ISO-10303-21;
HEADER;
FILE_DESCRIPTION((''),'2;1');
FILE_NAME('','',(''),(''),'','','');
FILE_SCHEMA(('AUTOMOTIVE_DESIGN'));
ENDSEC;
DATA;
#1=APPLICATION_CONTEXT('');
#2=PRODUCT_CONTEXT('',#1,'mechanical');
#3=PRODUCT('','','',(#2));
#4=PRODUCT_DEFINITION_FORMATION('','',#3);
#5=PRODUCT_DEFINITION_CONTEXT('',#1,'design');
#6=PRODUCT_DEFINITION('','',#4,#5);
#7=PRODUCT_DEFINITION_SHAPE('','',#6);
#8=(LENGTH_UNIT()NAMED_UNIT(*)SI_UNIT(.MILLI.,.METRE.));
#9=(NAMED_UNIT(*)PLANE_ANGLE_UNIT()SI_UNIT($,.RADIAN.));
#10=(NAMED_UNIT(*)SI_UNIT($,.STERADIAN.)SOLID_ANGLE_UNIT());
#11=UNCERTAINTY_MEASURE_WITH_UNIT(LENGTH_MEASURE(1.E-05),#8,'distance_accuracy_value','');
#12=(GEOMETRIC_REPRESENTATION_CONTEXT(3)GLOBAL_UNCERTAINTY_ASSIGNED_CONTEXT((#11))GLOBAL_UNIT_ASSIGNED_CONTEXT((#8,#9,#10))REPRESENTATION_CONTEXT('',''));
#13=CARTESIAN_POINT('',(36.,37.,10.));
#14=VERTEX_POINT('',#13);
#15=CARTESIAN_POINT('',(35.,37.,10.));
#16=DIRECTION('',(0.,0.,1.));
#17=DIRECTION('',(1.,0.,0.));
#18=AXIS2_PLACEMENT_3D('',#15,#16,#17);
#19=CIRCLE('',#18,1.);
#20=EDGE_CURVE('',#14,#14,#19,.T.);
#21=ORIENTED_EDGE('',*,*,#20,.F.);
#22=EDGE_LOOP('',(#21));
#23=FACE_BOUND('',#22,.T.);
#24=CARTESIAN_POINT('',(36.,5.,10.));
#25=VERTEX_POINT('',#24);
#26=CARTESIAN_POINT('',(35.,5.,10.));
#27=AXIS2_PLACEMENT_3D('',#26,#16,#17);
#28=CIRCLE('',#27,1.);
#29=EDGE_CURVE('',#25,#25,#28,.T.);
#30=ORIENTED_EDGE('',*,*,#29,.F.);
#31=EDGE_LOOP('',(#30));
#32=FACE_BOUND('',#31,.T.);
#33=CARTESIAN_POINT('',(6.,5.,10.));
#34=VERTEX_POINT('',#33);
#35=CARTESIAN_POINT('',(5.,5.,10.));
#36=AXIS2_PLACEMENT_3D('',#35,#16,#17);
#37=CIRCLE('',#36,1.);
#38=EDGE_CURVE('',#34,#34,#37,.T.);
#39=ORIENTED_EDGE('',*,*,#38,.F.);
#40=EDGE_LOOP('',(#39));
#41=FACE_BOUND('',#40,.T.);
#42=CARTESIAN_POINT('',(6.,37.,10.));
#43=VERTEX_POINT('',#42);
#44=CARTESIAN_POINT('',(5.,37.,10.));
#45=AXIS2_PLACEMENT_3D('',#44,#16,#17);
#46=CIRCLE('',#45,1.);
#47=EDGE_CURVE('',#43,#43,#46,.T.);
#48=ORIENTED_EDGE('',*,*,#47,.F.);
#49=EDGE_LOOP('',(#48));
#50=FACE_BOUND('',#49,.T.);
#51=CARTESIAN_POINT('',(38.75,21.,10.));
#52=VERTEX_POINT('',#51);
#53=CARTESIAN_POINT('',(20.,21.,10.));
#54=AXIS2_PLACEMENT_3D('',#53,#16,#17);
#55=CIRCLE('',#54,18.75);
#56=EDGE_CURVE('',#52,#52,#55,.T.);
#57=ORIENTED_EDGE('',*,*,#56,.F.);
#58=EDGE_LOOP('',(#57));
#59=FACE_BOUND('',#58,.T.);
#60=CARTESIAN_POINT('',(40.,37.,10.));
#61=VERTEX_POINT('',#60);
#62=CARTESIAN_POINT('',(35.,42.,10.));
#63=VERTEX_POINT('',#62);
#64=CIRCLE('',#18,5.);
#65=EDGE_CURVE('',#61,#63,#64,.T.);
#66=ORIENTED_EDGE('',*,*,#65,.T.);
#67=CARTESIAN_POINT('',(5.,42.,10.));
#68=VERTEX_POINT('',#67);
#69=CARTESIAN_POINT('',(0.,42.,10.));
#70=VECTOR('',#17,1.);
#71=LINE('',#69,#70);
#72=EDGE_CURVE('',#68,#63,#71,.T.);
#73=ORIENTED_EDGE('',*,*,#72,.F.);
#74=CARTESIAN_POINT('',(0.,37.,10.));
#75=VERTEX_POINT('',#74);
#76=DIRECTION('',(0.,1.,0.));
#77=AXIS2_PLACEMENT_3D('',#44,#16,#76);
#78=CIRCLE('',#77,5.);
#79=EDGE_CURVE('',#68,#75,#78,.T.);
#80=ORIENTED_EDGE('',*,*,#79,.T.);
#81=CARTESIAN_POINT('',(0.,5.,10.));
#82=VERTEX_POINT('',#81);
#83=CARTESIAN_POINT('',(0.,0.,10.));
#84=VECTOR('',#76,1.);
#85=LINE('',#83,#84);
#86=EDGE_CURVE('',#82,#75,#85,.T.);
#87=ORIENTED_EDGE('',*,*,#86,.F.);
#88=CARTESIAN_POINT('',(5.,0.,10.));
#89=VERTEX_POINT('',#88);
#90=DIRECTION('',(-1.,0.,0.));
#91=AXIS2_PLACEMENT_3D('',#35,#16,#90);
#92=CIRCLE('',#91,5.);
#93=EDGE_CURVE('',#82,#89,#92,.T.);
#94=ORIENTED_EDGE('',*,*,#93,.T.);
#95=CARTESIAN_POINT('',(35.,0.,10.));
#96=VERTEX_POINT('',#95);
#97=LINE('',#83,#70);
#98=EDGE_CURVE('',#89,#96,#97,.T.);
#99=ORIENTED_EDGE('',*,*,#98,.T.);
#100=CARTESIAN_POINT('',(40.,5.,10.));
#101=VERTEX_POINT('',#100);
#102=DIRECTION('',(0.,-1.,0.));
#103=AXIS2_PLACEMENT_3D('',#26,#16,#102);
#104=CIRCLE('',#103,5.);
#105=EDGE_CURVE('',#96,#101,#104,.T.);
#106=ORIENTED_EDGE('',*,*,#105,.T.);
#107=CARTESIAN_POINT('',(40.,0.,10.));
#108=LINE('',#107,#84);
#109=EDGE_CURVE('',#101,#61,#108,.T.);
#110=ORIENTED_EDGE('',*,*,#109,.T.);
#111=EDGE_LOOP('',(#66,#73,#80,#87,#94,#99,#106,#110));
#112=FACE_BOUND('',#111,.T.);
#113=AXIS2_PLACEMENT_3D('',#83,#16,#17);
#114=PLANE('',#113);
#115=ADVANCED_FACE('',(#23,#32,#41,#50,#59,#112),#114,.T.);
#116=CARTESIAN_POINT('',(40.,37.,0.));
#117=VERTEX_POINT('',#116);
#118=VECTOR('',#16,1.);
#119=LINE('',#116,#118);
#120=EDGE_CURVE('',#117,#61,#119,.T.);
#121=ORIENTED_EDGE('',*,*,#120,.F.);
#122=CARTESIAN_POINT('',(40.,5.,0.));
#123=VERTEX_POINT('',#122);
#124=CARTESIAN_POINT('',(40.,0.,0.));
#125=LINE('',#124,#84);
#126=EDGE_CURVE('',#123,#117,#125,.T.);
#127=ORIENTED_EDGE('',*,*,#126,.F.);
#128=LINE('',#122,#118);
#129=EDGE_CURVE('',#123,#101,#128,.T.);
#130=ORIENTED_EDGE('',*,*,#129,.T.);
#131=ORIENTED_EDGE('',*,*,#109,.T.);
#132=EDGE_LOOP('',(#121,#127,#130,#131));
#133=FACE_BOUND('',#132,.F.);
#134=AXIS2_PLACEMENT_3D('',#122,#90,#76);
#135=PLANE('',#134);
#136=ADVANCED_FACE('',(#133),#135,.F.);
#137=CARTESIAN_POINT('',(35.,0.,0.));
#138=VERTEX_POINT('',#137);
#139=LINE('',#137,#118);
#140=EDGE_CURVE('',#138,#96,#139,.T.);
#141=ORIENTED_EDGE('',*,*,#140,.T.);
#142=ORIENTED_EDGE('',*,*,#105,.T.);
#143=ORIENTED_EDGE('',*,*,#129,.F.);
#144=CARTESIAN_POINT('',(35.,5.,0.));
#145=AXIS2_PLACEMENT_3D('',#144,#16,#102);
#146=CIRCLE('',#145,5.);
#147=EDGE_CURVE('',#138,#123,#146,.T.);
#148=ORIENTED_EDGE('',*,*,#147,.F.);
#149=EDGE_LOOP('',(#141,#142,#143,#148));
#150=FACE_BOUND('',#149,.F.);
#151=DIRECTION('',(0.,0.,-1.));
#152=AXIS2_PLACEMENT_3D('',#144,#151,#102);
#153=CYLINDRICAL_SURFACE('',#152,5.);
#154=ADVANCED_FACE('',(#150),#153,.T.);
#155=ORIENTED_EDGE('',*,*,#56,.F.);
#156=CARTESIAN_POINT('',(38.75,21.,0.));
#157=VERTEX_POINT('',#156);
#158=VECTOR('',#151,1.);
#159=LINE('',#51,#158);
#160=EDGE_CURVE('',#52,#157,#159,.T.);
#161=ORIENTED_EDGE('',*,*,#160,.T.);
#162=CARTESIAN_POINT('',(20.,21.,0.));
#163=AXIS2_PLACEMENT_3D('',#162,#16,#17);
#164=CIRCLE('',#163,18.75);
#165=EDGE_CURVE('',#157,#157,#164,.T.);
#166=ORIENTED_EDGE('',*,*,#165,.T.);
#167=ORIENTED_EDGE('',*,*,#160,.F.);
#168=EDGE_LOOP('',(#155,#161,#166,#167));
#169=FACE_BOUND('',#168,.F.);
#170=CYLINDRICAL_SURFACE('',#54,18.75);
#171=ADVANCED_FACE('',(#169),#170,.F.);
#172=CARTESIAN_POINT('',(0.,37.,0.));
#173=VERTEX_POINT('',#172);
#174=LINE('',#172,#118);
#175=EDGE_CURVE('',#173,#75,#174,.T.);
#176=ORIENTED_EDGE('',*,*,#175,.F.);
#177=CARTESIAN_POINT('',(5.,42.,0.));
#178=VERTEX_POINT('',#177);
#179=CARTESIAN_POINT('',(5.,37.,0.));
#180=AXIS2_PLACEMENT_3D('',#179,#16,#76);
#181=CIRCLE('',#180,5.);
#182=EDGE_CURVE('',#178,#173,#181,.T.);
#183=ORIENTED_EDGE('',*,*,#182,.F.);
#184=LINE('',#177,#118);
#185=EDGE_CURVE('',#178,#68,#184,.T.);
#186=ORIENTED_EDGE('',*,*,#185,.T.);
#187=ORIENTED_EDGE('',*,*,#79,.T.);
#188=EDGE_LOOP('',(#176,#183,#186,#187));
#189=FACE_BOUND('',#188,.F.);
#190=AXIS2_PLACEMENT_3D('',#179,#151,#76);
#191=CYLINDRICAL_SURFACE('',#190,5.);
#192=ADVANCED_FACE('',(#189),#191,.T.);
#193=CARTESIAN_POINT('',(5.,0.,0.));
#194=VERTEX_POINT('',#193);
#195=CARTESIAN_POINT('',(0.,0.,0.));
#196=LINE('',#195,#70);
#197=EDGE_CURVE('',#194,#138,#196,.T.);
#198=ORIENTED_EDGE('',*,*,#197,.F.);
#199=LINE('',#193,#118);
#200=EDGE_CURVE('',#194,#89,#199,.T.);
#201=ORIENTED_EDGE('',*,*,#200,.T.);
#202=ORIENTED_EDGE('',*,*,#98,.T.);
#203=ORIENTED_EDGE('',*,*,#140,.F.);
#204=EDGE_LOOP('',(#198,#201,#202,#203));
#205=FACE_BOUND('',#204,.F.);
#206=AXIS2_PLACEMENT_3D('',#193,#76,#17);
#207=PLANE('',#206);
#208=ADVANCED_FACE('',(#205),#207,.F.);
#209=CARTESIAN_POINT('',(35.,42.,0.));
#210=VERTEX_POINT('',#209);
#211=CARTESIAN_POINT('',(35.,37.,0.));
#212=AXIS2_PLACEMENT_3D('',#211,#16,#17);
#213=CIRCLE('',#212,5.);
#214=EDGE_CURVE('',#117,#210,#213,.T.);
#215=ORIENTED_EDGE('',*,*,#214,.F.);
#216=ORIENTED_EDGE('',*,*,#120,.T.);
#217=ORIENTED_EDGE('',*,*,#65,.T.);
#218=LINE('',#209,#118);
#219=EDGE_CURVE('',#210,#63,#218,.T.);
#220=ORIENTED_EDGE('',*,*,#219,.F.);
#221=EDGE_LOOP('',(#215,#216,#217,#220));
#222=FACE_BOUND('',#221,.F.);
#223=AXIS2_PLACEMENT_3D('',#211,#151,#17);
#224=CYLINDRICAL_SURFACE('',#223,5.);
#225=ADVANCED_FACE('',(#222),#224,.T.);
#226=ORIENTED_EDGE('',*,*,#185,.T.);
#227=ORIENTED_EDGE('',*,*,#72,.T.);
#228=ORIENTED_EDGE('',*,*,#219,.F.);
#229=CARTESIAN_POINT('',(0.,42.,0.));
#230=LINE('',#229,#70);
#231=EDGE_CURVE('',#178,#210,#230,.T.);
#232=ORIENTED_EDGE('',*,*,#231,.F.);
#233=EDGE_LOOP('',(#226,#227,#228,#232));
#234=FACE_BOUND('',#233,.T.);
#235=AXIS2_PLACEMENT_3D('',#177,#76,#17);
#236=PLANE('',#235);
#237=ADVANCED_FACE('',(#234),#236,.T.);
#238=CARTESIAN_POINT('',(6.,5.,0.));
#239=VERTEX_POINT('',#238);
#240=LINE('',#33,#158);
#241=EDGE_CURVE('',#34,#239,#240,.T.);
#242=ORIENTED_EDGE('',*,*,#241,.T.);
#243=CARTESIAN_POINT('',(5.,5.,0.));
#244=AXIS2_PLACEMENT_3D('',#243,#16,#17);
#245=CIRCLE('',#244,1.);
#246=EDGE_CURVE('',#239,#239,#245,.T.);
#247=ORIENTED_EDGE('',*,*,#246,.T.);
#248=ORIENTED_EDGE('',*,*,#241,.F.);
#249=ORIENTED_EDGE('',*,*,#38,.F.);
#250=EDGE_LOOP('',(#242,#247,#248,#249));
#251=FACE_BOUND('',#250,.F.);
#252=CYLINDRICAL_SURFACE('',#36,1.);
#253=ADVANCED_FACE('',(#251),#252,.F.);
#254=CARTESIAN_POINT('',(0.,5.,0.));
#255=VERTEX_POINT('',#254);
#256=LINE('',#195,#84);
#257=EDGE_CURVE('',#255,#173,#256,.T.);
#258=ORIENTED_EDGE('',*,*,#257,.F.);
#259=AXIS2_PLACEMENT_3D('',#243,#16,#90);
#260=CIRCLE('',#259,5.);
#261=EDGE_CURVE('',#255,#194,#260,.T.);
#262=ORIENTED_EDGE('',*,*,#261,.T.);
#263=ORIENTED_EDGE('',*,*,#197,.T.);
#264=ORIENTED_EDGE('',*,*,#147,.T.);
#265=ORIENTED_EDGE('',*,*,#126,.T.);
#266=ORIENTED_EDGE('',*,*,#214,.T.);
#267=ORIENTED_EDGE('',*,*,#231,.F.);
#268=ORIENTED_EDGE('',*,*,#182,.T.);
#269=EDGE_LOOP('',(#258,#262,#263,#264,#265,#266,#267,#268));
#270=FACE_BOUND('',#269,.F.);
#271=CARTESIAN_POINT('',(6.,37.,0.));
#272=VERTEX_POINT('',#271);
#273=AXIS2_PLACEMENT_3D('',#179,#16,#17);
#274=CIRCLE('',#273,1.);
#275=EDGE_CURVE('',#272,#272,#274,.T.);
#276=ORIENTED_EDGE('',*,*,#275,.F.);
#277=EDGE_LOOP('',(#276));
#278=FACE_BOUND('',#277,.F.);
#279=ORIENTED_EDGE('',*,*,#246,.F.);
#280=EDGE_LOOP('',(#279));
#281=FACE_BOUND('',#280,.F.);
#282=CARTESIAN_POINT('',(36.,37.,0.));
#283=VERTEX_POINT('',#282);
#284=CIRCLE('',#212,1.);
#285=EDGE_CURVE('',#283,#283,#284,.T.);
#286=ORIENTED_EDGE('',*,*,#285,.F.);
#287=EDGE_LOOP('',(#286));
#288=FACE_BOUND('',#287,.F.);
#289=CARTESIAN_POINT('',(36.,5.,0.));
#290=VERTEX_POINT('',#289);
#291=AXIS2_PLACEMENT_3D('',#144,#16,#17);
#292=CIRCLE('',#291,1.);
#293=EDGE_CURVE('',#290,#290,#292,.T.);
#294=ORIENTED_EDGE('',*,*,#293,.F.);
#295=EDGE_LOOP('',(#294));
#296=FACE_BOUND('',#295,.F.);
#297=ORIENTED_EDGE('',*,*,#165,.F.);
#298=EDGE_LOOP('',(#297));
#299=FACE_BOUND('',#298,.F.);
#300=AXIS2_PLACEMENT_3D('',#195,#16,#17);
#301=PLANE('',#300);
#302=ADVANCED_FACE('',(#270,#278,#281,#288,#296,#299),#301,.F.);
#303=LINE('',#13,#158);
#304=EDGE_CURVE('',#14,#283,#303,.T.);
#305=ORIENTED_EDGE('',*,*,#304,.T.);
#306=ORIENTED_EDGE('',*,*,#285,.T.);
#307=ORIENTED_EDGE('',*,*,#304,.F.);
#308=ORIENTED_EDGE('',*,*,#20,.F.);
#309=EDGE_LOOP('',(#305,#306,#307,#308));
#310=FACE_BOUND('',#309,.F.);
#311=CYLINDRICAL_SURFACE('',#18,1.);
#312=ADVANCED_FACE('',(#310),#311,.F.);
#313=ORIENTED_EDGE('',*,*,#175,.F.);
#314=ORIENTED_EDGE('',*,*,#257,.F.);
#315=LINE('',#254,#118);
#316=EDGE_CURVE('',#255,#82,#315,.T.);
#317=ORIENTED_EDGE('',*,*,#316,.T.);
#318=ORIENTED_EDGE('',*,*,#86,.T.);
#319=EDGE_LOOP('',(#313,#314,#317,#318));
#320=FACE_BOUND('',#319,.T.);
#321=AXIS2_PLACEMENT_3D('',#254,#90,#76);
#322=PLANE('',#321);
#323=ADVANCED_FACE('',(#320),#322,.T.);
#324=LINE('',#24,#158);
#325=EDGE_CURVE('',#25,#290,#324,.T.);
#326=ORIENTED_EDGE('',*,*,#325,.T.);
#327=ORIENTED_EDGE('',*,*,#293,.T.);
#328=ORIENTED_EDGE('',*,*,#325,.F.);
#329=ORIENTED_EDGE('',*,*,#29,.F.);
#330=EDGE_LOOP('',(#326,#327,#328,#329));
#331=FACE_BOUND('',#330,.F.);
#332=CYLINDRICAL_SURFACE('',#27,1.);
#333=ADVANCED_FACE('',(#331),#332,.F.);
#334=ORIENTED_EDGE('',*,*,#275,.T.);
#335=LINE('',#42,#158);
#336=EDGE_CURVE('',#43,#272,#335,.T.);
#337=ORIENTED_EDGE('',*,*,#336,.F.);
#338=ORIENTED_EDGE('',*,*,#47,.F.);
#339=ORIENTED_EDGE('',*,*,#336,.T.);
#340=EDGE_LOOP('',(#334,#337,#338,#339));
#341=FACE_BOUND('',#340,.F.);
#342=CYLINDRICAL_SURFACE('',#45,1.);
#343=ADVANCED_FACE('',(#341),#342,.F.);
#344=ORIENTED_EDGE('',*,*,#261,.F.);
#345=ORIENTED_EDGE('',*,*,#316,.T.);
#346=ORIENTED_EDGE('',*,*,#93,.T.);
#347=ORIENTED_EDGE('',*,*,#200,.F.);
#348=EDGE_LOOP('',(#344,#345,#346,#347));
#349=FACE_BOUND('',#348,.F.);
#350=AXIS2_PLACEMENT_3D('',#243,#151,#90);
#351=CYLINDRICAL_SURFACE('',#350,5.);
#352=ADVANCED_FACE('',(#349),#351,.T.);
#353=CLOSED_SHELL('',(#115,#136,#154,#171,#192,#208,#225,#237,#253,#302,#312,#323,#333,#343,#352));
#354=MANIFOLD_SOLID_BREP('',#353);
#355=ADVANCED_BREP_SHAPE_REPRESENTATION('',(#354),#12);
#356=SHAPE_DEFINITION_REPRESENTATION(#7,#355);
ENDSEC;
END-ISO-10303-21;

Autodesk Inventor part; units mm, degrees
ref_plane "YZ Plane" through (0, 0, 0) normal (1, 0, 0) x (0, 1, 0)
ref_plane "XZ Plane" through (0, 0, 0) normal (0, 1, 0) x (-1, 0, 0)
ref_plane "XY Plane" through (0, 0, 0) normal (0, 0, 1) x (1, 0, 0)
ref_plane "Arbeitsebene1" through (0, 0, 0) normal (0, 0, 1) x (1, 0, 0)
sketch "Skizze1" plane through (0, 0, 0) normal (0, 0, 1) x (1, 0, 0)
  line L0 (0, 0) -> (40, 0) projected
  line L1 (40, 0) -> (40, 42) projected
  line L2 (0, 42) -> (40, 42) projected
  line L3 (0, 0) -> (0, 42) projected
  line L4 (5, 42) -> (35, 42)
  line L5 (40, 37) -> (40, 5)
  line L6 (35, 0) -> (5, 0)
  line L7 (0, 5) -> (0, 37)
  line L8 (0, 42) -> (40, 0) construction
  line L9 (40, 42) -> (0, 0) construction
  arc A0 (5, 42) -> (0, 37) centre (5, 37) ccw
  arc A1 (40, 37) -> (35, 42) centre (35, 37) ccw
  arc A2 (35, 0) -> (40, 5) centre (35, 5) ccw
  arc A3 (0, 5) -> (5, 0) centre (5, 5) ccw
  point P0 (20, 21)
  dimension "d0" = 5
extrude "Extrusion1" add sketch "Skizze1" along normal blind 10 contours A3 L3 A0 L2 A1 L1 A2 L0
sketch "Skizze2" plane through (0, 0, 10) normal (0, 0, 1) x (1, 0, 0)
  line L0 (0, 37) -> (0, 5) projected
  arc A0 (0, 5) -> (5, 0) centre (5, 5) ccw projected
  line L1 (5, 0) -> (35, 0) projected
  arc A1 (35, 0) -> (40, 5) centre (35, 5) ccw projected
  line L2 (40, 5) -> (40, 37) projected
  arc A2 (40, 37) -> (35, 42) centre (35, 37) ccw projected
  line L3 (35, 42) -> (5, 42) projected
  arc A3 (5, 42) -> (0, 37) centre (5, 37) ccw projected
  circle A4 centre (20, 21) radius 18.75
  point P0 (0, 0)
  dimension "d3" = 37.5
extrude "Extrusion2" cut sketch "Skizze2" against normal through all contours A4
sketch "Skizze3" plane through (0, 0, 10) normal (0, 0, 1) x (1, 0, 0)
  circle A0 centre (20, 21) radius 18.75 projected
  line L0 (0, 37) -> (0, 5) projected
  arc A1 (0, 5) -> (5, 0) centre (5, 5) ccw projected
  line L1 (5, 0) -> (35, 0) projected
  arc A2 (35, 0) -> (40, 5) centre (35, 5) ccw projected
  line L2 (40, 5) -> (40, 37) projected
  arc A3 (40, 37) -> (35, 42) centre (35, 37) ccw projected
  line L3 (35, 42) -> (5, 42) projected
  arc A4 (5, 42) -> (0, 37) centre (5, 37) ccw projected
  circle A5 centre (5, 37) radius 1
  circle A6 centre (35, 37) radius 1
  circle A7 centre (35, 5) radius 1
  circle A8 centre (5, 5) radius 1
  point P0 (0, 0)
  dimension "d6" = 2
  dimension "d7" = 2
  dimension "d8" = 2
  dimension "d9" = 2
extrude "Extrusion3" cut sketch "Skizze3" against normal through all contours A5 | A6 | A7 | A8
properties part number "02_Coolingfan"
